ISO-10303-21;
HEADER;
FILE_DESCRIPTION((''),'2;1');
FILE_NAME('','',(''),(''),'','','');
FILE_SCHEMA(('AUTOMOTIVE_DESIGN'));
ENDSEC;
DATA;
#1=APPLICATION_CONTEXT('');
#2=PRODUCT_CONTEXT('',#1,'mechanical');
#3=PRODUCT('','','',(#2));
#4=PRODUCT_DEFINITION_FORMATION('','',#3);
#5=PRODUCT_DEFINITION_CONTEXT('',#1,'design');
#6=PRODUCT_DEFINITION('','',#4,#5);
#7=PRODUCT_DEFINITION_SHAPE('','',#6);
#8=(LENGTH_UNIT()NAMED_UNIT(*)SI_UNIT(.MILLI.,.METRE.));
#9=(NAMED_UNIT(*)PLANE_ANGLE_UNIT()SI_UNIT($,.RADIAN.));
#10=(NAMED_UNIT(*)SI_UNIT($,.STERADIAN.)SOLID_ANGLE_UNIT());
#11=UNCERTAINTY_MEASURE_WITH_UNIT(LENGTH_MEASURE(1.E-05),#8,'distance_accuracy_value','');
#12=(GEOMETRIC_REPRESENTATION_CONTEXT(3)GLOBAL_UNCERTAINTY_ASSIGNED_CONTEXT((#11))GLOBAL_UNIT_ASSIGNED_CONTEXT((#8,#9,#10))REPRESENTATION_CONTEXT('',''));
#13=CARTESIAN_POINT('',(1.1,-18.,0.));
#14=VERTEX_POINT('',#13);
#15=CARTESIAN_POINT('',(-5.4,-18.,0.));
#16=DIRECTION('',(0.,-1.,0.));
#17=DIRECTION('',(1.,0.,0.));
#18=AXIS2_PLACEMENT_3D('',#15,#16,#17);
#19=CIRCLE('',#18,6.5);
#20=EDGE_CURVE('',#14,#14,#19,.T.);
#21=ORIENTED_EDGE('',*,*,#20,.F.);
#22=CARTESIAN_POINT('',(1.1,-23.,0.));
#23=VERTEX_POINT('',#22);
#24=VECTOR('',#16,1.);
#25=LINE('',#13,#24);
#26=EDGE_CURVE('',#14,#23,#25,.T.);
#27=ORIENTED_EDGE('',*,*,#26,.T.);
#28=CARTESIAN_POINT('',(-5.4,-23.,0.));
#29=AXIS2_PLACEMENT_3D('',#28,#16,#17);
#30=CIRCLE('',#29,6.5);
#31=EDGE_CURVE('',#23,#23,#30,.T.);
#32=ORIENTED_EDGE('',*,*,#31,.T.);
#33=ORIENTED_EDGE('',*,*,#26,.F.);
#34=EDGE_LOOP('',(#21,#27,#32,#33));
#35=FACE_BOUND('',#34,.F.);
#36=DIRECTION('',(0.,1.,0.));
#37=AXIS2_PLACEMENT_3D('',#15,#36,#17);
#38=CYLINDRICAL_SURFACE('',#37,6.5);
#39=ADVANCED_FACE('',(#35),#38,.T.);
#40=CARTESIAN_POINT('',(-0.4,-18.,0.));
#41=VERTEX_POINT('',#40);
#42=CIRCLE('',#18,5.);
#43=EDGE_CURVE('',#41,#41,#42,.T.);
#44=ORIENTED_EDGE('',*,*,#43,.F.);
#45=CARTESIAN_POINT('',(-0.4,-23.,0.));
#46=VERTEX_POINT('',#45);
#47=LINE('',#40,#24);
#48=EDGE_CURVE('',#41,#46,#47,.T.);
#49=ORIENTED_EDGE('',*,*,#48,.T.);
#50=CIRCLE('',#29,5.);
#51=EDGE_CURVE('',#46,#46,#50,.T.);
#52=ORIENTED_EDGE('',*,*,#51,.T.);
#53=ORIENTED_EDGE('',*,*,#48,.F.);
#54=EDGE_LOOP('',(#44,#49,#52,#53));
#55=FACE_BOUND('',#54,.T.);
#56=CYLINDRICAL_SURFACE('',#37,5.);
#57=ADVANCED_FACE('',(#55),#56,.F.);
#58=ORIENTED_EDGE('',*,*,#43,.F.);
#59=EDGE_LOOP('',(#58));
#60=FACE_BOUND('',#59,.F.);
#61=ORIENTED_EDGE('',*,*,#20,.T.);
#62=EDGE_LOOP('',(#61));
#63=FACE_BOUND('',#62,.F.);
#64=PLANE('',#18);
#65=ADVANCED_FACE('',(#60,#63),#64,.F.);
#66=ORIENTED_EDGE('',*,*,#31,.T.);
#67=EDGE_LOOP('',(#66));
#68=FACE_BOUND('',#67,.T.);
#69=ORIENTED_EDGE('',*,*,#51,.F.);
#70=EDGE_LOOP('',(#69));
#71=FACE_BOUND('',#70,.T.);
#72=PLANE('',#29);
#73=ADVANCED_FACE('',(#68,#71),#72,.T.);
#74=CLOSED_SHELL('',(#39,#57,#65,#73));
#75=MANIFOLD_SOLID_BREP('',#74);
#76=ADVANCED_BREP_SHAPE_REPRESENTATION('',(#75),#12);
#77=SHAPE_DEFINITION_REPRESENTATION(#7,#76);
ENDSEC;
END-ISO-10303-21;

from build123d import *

# Parameters (mm, degrees)
CYLINDER007_R          = 5
CYLINDER007_DEPTH      = 5
CYLINDER007_ROLL_ANGLE = 90
CYLINDER008_R          = 6.5
CYLINDER008_DEPTH      = 5
CYLINDER008_ROLL_ANGLE = 90


with BuildPart() as cylinder007:
    # Cylinder007 → Cylinder007 (new body)
    with BuildSketch(Plane.XY):
        Circle(CYLINDER007_R)
    extrude(amount=CYLINDER007_DEPTH)


with BuildPart() as cylinder007_1:
    # Cylinder007 roll: moved
    add(cylinder007.part.rotate(Axis((0, 0, 0), (1, 0, 0)), CYLINDER007_ROLL_ANGLE))


with BuildPart() as cylinder007_2:
    # Cylinder007 placement: moved
    add(cylinder007_1.part.moved(Location((-5.4, 46, 0))))


with BuildPart() as cut002:
    # Cylinder008 → Cylinder008 (new body)
    with BuildSketch(Plane.XY):
        Circle(CYLINDER008_R)
    extrude(amount=CYLINDER008_DEPTH)


with BuildPart() as cut002_1:
    # Cylinder008 roll: moved
    add(cut002.part.rotate(Axis((0, 0, 0), (1, 0, 0)), CYLINDER008_ROLL_ANGLE))


with BuildPart() as cut002_2:
    # Cylinder008 placement: moved
    add(cut002_1.part.moved(Location((-5.4, 46, 0))))

    # Cut002: cut Cylinder007
    add(cylinder007_2.part, mode=Mode.SUBTRACT)


with BuildPart() as cut002_3:
    # Cut002 placement: moved
    add(cut002_2.part.moved(Location((0, -64, 0))))


solid = cut002_3.part
